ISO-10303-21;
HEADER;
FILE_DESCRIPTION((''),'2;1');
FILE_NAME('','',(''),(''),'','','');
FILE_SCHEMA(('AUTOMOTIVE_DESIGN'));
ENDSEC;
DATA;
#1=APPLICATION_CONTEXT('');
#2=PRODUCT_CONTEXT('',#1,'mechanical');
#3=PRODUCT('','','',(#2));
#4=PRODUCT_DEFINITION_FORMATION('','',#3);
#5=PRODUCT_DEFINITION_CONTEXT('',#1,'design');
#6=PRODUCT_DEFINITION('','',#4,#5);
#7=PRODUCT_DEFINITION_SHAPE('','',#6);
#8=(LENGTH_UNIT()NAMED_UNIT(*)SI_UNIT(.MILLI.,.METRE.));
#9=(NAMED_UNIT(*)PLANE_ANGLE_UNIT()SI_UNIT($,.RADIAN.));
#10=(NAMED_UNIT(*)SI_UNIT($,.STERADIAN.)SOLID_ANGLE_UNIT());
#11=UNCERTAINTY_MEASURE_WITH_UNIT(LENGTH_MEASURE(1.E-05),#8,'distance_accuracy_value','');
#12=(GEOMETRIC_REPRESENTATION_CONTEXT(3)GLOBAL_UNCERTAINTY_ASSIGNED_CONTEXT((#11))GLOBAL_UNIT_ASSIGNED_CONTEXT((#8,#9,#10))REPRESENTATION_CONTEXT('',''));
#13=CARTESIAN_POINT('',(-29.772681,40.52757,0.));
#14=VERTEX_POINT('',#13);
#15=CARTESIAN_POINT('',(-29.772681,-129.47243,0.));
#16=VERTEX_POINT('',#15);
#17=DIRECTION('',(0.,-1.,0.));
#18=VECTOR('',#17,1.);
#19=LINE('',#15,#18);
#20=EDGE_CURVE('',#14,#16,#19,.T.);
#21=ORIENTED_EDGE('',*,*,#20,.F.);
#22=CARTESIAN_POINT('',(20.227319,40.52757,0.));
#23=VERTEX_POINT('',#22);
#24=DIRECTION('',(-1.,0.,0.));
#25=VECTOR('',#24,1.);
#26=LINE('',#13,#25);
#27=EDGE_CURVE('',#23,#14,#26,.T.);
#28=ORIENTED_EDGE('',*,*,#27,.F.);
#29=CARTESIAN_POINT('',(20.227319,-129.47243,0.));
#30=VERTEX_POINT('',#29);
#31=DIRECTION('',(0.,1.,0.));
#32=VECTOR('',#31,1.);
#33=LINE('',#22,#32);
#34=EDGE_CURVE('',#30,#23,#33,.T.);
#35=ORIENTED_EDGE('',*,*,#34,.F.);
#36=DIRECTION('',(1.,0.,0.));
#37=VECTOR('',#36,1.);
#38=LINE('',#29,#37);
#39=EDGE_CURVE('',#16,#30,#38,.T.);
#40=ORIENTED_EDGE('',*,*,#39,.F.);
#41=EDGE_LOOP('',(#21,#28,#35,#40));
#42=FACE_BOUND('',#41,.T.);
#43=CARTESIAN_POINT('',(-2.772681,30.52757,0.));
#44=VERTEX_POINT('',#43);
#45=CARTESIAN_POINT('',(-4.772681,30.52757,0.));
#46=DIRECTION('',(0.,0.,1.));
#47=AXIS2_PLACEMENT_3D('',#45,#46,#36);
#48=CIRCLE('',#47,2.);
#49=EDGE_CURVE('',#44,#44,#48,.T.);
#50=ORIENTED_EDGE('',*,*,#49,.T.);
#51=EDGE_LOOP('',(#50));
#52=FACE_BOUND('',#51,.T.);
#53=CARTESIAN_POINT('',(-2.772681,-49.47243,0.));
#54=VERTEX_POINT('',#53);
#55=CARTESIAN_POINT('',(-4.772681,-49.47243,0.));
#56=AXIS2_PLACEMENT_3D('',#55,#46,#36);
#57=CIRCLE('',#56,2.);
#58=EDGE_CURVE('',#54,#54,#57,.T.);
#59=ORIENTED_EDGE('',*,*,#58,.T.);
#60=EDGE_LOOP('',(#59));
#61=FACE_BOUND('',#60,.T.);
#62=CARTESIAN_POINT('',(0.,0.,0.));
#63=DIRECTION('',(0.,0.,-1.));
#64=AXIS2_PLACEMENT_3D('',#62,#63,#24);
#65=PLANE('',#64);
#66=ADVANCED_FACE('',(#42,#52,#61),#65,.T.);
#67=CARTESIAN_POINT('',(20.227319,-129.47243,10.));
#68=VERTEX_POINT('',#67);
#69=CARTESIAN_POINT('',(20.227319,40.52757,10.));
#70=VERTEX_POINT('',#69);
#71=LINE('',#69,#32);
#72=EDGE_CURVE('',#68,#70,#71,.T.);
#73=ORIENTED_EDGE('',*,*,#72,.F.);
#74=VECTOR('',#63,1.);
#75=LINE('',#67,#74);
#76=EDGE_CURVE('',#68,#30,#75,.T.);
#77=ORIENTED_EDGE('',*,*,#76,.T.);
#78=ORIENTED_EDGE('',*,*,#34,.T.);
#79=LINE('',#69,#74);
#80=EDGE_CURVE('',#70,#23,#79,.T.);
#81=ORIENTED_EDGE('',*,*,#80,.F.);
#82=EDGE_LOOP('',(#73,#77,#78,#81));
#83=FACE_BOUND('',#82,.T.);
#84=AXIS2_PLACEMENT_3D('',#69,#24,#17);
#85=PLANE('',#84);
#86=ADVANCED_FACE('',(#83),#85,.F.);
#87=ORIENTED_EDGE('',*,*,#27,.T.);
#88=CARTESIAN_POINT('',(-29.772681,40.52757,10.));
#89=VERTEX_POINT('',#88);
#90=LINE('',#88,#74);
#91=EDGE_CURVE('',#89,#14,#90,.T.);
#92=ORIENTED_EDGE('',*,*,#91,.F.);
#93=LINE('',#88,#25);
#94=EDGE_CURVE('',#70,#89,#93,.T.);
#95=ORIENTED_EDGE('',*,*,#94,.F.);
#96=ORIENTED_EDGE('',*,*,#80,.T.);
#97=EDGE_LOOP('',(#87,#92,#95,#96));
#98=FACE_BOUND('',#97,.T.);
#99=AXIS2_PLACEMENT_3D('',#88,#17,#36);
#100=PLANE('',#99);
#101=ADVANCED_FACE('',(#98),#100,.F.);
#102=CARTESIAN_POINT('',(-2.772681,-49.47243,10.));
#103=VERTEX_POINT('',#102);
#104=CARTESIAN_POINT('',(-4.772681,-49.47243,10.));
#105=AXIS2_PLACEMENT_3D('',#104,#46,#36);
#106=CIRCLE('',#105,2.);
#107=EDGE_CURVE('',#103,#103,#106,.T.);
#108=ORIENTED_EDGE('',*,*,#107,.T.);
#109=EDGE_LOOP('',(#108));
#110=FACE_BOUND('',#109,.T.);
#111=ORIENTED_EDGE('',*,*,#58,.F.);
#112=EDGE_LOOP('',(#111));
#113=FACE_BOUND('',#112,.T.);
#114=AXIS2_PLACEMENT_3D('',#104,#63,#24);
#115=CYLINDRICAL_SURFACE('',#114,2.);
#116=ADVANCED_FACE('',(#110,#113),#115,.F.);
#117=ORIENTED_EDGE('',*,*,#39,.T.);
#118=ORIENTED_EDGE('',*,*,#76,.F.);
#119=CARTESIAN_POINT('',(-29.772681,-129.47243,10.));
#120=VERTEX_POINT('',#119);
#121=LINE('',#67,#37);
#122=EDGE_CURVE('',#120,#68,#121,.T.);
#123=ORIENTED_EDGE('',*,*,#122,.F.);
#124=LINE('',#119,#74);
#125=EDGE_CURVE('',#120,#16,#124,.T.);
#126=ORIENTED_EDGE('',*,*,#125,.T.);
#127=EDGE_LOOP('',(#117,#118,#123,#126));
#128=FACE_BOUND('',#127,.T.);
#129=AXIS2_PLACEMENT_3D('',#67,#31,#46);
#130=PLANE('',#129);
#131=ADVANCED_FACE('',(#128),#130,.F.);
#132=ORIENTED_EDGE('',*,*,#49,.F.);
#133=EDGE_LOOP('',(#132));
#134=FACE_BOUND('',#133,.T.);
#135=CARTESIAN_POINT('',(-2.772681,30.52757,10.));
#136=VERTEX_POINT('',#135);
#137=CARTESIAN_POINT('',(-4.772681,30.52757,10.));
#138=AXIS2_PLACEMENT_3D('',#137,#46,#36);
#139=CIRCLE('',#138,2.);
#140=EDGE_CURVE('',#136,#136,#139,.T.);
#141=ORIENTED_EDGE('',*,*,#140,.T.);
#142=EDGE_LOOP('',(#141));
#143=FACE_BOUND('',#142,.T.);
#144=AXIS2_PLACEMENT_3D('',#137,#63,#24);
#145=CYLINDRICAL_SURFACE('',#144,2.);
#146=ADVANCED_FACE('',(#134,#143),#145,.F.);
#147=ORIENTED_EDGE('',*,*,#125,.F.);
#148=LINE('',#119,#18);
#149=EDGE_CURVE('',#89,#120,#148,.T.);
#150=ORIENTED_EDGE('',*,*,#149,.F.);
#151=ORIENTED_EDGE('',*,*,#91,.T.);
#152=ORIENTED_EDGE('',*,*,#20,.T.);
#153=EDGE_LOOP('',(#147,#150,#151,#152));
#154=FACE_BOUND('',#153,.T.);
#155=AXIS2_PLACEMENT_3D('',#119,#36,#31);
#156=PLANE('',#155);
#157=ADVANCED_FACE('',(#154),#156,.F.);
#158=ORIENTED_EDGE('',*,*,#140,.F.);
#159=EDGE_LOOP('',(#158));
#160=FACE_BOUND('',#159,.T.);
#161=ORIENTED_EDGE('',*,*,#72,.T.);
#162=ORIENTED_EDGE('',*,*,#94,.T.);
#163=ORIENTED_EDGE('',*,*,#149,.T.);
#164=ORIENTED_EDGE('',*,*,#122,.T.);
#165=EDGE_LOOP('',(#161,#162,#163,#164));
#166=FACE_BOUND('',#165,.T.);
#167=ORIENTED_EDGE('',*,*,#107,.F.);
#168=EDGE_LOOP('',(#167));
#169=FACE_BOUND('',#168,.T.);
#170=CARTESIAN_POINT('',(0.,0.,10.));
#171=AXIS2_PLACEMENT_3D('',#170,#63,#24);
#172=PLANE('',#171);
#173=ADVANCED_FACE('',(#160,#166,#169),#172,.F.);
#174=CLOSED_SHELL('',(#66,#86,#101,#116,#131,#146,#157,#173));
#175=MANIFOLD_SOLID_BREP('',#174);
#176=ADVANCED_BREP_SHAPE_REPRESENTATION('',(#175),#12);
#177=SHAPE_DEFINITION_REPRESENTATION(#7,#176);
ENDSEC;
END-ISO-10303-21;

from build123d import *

# Parameters (mm, degrees)
SKETCH_1_W      = 50
SKETCH_1_H      = 170
SKETCH_1_R      = 2
EXTRUDE_1_DEPTH = 10


with BuildPart() as part:
    # 草图1 → 凸台-拉伸1 (new body)
    with BuildSketch(Plane.XY):
        with Locations((-4.772681171, -44.472429595)):
            Rectangle(SKETCH_1_W, SKETCH_1_H)
        with Locations((-4.772681171, 30.527570405)):
            Circle(SKETCH_1_R, mode=Mode.SUBTRACT)
        with Locations((-4.772681171, -49.472429595)):
            Circle(SKETCH_1_R, mode=Mode.SUBTRACT)
    extrude(amount=EXTRUDE_1_DEPTH)


solid = part.part
